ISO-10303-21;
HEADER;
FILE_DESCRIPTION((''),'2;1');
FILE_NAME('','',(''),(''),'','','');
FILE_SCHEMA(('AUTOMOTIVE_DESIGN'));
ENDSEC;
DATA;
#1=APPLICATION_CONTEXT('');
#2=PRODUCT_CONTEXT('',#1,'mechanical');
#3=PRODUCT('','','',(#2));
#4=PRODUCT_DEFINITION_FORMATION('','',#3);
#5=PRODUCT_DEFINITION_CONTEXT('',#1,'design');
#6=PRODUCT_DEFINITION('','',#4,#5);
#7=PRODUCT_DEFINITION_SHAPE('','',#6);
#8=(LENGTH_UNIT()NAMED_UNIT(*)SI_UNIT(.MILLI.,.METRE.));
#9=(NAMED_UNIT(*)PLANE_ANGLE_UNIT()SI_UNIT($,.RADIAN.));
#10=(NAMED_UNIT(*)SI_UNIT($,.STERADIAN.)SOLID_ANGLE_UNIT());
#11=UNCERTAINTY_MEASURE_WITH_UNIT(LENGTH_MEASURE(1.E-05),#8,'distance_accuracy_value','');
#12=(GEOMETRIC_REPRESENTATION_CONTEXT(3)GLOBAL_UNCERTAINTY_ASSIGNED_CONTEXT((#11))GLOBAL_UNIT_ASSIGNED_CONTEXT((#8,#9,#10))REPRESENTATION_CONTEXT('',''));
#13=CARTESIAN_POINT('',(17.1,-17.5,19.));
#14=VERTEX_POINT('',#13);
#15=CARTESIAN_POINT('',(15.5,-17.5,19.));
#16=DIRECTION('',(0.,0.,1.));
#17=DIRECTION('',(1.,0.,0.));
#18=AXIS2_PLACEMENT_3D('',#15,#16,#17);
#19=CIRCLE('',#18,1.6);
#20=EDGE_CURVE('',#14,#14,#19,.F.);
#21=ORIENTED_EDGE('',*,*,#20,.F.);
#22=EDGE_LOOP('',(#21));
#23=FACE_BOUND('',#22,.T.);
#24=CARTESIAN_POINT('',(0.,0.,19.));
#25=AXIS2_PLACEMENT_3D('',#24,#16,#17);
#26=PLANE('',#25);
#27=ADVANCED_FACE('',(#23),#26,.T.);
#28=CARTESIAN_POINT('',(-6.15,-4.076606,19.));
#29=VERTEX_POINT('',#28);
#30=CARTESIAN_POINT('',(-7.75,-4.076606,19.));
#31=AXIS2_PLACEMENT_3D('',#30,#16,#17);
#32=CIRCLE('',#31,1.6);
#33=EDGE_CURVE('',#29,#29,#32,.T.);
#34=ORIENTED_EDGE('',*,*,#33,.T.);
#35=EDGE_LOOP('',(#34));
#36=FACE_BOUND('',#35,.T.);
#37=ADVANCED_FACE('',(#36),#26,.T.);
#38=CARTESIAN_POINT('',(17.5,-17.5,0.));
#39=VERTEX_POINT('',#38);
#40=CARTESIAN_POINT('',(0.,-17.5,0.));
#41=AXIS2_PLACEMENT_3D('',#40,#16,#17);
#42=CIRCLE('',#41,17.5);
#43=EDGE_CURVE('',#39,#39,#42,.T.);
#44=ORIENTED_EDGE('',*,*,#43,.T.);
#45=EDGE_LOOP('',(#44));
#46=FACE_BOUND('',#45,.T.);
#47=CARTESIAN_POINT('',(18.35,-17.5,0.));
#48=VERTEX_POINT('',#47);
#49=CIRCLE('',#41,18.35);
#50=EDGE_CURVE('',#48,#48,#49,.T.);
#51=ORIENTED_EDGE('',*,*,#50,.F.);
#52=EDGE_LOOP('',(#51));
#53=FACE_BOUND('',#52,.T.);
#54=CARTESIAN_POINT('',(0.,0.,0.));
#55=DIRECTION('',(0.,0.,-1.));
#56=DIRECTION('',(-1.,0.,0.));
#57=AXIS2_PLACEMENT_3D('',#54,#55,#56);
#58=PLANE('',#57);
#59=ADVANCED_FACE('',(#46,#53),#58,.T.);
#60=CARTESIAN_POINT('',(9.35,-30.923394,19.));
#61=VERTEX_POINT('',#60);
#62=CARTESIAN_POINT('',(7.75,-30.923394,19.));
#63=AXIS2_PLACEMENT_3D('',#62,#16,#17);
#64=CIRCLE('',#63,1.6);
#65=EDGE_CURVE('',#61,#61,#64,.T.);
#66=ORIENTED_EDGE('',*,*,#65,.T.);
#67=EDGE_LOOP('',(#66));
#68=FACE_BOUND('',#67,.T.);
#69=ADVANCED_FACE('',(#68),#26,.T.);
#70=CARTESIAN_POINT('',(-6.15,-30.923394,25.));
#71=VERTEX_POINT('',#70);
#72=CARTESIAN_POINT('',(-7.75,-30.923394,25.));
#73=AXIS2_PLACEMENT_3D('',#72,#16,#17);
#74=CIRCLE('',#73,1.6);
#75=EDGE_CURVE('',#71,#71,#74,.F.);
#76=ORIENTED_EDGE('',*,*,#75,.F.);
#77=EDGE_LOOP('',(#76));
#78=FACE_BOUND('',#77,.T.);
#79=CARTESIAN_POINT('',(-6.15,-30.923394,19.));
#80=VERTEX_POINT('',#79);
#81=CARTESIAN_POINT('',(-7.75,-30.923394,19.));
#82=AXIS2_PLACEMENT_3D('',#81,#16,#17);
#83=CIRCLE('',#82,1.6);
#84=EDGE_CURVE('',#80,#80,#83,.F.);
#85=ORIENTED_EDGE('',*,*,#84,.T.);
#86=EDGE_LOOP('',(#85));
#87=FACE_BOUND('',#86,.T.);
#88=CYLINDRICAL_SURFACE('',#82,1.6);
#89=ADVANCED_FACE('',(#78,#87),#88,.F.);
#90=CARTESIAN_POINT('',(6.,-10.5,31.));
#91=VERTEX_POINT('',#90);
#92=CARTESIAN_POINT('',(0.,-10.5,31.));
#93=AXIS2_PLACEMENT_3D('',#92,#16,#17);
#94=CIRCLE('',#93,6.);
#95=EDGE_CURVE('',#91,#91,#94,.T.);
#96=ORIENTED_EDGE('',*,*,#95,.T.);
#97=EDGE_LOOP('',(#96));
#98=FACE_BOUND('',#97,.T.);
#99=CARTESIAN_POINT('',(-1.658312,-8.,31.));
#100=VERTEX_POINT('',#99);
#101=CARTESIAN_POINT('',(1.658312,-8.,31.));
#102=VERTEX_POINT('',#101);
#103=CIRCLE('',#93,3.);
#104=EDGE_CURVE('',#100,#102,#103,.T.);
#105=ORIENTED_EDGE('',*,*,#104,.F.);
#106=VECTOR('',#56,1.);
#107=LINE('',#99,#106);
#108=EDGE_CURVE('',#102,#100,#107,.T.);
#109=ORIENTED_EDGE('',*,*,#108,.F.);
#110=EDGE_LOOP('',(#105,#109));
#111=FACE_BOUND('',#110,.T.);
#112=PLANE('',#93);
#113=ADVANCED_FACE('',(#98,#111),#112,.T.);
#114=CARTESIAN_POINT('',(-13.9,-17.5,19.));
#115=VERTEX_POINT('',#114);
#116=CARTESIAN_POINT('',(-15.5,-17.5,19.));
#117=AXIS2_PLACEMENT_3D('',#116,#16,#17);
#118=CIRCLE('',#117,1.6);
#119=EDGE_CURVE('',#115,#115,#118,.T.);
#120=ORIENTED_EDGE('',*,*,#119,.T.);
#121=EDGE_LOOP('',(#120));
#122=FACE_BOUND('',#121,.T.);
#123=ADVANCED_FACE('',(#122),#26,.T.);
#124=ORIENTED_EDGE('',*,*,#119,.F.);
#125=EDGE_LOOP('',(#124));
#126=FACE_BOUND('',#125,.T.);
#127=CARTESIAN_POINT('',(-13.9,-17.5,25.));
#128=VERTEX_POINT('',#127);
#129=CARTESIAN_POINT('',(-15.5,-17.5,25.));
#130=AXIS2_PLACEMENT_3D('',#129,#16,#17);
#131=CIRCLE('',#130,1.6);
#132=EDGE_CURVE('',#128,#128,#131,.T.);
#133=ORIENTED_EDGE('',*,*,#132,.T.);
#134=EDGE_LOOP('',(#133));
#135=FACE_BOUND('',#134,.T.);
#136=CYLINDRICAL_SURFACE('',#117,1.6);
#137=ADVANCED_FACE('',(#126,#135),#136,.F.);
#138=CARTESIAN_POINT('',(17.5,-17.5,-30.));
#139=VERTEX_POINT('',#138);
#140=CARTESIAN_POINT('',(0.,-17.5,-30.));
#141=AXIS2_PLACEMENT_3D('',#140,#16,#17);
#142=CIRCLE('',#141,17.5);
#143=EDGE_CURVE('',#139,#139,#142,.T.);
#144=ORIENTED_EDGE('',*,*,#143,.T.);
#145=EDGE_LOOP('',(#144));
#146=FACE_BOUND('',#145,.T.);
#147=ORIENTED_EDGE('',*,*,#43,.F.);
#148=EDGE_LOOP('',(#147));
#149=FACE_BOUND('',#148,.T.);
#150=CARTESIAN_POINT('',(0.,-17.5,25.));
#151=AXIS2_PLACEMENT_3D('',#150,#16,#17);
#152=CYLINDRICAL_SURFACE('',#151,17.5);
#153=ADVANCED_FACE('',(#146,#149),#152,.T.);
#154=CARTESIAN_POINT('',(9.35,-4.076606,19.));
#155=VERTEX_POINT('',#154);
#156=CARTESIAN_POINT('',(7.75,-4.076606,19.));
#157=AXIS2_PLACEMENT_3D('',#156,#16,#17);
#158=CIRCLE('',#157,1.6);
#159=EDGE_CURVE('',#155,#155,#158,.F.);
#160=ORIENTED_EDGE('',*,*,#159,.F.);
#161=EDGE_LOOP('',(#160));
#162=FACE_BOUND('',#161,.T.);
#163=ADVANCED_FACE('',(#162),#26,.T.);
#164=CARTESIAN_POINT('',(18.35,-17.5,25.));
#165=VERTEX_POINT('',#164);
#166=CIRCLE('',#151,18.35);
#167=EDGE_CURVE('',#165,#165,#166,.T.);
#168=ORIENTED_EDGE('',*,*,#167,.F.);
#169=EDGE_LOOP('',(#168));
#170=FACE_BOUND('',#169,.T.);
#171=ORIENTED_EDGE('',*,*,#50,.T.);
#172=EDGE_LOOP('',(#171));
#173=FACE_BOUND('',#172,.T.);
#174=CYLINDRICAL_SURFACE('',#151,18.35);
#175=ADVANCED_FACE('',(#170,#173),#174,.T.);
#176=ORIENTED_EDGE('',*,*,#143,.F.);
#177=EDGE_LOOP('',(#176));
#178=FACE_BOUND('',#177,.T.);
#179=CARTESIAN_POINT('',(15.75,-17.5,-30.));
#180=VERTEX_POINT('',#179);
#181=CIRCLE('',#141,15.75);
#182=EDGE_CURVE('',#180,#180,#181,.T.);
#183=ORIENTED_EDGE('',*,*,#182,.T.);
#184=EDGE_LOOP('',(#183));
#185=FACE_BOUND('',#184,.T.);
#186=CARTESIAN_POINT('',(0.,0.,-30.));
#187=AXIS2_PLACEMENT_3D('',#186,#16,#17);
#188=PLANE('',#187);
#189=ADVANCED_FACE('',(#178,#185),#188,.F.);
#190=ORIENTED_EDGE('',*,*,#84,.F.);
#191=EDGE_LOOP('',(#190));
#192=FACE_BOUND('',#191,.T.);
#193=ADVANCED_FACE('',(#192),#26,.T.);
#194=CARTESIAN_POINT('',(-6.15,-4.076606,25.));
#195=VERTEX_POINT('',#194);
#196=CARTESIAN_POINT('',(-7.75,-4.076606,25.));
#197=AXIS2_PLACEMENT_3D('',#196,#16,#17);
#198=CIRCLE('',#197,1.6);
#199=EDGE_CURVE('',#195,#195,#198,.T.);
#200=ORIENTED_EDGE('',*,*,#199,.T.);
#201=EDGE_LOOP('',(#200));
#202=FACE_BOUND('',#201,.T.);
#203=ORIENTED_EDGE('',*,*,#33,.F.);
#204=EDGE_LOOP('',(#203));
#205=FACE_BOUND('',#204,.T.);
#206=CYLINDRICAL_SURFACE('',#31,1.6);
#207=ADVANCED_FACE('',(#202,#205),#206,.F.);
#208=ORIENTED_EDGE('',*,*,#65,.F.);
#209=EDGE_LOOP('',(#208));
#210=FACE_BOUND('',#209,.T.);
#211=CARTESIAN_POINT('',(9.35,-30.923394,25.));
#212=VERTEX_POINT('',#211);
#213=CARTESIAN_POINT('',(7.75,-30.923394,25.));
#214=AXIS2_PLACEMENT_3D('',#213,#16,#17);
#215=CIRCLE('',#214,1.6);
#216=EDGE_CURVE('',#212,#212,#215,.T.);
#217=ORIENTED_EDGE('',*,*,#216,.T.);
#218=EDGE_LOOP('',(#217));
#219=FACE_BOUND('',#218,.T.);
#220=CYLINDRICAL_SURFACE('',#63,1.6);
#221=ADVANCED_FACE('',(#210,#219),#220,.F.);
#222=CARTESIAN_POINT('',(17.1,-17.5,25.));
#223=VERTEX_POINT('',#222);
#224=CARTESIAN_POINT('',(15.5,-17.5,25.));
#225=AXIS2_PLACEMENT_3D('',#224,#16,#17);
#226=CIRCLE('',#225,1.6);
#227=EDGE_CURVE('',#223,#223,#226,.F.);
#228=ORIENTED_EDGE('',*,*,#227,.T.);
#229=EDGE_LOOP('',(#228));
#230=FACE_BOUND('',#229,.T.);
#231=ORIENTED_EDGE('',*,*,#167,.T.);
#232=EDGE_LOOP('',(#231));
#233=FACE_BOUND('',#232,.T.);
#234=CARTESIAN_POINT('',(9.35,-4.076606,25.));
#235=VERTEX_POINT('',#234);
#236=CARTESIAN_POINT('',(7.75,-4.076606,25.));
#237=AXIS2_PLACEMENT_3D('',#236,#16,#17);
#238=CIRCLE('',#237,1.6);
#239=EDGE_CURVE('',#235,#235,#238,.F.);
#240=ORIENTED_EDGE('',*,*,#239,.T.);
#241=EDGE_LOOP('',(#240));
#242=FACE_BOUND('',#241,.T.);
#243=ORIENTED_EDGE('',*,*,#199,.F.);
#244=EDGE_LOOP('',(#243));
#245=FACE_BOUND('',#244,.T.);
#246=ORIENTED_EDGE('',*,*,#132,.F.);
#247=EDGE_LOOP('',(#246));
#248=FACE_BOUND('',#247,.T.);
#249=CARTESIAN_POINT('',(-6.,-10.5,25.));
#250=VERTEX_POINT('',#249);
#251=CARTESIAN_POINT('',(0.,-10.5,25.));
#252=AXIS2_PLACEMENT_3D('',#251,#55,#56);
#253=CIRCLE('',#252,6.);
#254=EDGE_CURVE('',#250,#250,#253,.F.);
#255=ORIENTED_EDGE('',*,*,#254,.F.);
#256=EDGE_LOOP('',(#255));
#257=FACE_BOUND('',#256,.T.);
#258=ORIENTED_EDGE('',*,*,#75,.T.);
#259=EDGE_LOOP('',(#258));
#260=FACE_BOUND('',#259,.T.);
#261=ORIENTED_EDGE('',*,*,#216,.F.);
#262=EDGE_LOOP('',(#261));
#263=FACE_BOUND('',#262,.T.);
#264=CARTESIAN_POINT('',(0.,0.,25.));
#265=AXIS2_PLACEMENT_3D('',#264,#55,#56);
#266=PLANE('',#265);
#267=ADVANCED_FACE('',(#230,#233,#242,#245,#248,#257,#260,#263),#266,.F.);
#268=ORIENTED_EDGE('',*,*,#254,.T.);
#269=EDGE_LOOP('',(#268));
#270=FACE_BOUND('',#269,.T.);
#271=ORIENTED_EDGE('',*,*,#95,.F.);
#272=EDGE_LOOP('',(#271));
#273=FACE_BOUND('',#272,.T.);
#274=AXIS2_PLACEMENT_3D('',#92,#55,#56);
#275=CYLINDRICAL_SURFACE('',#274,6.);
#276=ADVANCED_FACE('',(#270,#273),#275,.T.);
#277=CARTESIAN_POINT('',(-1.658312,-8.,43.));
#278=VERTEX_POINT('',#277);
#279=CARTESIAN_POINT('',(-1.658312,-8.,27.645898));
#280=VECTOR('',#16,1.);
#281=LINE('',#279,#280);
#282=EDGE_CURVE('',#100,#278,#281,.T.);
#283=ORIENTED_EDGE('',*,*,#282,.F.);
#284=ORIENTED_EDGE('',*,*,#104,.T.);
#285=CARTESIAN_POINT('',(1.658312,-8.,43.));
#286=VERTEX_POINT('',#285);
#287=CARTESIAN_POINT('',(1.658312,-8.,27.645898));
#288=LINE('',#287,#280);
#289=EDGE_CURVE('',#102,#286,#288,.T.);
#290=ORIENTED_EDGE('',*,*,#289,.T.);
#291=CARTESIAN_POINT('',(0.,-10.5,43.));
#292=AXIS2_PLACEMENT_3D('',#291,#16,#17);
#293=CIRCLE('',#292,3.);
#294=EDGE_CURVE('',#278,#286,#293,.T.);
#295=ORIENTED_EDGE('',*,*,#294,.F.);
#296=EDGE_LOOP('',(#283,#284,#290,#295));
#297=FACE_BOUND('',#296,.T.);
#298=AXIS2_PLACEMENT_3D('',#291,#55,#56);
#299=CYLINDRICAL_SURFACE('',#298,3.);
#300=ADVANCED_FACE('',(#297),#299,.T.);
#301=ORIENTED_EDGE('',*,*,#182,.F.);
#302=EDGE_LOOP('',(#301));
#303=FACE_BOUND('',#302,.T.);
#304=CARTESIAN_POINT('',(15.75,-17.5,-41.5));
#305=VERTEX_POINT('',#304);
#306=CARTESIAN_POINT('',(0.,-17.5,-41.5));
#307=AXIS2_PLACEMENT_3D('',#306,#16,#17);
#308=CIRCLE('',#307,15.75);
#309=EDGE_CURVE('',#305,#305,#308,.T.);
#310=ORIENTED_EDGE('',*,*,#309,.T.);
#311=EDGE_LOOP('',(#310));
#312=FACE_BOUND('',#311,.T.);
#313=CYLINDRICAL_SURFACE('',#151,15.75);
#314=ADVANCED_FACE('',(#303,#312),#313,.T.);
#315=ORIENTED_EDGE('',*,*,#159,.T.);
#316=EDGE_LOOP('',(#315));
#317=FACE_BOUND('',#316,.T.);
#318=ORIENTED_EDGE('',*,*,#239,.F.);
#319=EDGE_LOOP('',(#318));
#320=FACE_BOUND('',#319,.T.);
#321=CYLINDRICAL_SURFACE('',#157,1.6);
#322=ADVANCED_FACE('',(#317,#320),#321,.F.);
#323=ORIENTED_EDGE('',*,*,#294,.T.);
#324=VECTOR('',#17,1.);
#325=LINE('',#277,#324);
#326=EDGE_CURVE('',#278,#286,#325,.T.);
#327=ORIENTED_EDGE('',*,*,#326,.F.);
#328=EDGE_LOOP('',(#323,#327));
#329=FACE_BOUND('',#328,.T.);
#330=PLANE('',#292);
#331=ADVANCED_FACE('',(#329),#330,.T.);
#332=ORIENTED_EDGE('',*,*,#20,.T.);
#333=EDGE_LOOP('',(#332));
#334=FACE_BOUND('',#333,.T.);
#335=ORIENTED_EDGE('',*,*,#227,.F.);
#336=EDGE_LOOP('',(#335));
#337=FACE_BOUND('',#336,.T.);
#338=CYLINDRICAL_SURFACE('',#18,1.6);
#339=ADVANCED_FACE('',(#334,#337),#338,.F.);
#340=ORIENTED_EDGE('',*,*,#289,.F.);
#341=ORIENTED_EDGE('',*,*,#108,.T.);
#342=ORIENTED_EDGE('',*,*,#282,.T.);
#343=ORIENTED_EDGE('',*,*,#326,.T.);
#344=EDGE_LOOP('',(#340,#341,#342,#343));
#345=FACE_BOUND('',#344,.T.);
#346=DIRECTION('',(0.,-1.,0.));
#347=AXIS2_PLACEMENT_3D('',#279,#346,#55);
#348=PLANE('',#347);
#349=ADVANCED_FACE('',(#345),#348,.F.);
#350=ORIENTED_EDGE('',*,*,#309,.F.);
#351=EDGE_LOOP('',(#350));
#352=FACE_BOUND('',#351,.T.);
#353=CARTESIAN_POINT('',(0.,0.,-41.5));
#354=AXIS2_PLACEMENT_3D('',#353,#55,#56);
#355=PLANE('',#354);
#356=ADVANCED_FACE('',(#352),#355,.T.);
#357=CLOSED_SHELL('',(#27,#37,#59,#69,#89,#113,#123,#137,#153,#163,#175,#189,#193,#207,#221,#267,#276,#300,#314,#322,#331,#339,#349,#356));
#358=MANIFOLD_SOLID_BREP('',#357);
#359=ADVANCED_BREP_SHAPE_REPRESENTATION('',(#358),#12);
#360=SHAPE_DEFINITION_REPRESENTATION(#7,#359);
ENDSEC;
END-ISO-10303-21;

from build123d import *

# Parameters (mm, degrees)
SKETCH1_W               = 11.5
SKETCH1_H               = 15.75
SKETCH2_R               = 6
BOSS_EXTRUDE1_DEPTH     = 6
SKETCH3_R               = 3
BOSS_EXTRUDE2_DEPTH     = 12
SKETCH4_R               = 1.6
CUT_EXTRUDE1_DEPTH      = 6
CUT_EXTRUDE2_DEPTH      = 94.60659699
CUT_EXTRUDE2_DEPTH_BACK = 12


with BuildPart() as part:
    # Sketch1 → Revolve1 (revolve)
    with BuildSketch(Plane(origin=(0, 0, 0), x_dir=(0, 0, -1), z_dir=(1, 0, 0)), mode=Mode.PRIVATE) as revolve1_sk:
        with Locations((35.75, -25.375)):
            Rectangle(SKETCH1_W, SKETCH1_H)
        Polygon((30, -17.5), (0, -17.5), (0, -35), (30, -35), (30, -33.25), align=None)
        Polygon((0, -17.5), (-25, -17.5), (-25, -35.85), (0, -35.85), (0, -35), align=None)
    revolve(revolve1_sk.sketch.rotate(Axis((0, -17.5, 25), (0, 0, -1)), 270), axis=Axis((0, -17.5, 25), (0, 0, -1)))

    # Sketch2 → Boss-Extrude1 (add)
    with BuildSketch(Plane.XY.offset(25)):
        with Locations(Location((0, -10.5, 0), (0, 0, 180))):
            Circle(SKETCH2_R)
    extrude(amount=BOSS_EXTRUDE1_DEPTH)

    # Sketch3 → Boss-Extrude2 (add)
    with BuildSketch(Plane.XY.offset(31)):
        with Locations((0, -10.5)):
            Circle(SKETCH3_R)
    extrude(amount=BOSS_EXTRUDE2_DEPTH)

    # Sketch4 → Cut-Extrude1 (cut)
    with BuildSketch(Plane.XY.offset(25)):
        with Locations((-15.5, -17.5)):
            Circle(SKETCH4_R)
        with Locations((15.5, -17.5)):
            Circle(SKETCH4_R)
        with Locations((-7.75, -4.076606241)):
            Circle(SKETCH4_R)
        with Locations((7.75, -4.076606241)):
            Circle(SKETCH4_R)
        with Locations((7.75, -30.923393759)):
            Circle(SKETCH4_R)
        with Locations((-7.75, -30.923393759)):
            Circle(SKETCH4_R)
    extrude(amount=-CUT_EXTRUDE1_DEPTH, mode=Mode.SUBTRACT)

    # Sketch5 → Cut-Extrude2 (cut, two sides: drawn at the far end of the back side and taken through both)
    with BuildSketch(Plane.XY.offset(43).offset(-CUT_EXTRUDE2_DEPTH_BACK)):
        with BuildLine():
            Line((-1.658312395, -8), (1.658312395, -8))
            ThreePointArc((1.658312395, -8), (0, -7.5), (-1.658312395, -8))
        make_face()
    extrude(amount=CUT_EXTRUDE2_DEPTH + CUT_EXTRUDE2_DEPTH_BACK, mode=Mode.SUBTRACT)


solid = part.part
